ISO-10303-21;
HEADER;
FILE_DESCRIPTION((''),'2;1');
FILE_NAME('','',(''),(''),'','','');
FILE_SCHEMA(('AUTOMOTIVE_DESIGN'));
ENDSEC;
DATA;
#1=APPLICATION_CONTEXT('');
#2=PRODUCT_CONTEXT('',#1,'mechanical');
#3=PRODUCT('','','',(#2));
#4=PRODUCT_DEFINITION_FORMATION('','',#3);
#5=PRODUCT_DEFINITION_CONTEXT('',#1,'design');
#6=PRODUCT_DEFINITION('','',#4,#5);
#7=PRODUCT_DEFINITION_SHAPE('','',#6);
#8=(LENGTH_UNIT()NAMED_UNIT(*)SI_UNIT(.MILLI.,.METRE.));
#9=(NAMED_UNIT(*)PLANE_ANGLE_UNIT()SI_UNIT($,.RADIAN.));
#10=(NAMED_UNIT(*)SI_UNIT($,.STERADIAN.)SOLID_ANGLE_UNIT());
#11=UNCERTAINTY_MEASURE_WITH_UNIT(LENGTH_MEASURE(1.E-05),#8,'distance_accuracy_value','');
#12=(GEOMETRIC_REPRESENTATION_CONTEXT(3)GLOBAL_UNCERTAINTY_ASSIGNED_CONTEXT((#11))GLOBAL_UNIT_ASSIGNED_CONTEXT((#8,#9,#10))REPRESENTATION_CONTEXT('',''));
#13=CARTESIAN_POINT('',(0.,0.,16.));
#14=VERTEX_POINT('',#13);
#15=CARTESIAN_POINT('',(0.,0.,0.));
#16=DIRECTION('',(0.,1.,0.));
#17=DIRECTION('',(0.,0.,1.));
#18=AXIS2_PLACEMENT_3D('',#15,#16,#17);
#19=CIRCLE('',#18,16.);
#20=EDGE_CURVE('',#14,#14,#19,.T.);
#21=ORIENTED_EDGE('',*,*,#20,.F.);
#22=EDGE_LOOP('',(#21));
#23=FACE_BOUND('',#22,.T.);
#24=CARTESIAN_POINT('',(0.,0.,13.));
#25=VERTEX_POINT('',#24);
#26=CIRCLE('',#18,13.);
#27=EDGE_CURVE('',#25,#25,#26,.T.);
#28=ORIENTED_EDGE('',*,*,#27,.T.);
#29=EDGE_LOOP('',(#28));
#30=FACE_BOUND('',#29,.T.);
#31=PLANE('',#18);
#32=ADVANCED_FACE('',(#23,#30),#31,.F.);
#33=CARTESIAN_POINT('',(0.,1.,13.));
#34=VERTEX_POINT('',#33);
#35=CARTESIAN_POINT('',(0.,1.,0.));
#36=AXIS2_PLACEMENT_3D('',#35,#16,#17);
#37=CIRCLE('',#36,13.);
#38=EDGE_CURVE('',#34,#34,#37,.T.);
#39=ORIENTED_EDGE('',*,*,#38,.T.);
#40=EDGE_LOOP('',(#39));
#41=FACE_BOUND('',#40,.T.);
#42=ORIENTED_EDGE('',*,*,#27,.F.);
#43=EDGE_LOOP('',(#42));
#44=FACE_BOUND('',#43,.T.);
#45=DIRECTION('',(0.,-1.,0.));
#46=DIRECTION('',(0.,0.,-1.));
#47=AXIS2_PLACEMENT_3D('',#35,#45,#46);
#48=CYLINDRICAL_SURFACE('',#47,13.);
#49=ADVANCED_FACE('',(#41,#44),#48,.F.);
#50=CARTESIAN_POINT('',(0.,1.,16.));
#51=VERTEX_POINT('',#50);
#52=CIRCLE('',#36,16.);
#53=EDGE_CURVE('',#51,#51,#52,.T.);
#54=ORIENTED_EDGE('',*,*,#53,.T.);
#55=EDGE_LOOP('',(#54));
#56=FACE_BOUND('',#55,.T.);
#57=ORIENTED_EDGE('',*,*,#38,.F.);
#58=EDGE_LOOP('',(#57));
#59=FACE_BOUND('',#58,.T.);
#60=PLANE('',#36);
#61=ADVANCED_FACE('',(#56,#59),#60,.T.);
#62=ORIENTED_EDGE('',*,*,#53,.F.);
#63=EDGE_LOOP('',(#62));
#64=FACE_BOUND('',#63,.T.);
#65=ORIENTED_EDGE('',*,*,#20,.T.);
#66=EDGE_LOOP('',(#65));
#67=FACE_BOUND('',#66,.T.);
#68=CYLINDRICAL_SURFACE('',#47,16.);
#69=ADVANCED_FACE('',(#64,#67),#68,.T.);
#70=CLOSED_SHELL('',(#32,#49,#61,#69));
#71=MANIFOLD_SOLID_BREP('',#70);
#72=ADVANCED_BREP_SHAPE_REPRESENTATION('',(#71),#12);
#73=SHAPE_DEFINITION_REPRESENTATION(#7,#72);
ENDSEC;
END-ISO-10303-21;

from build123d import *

# Parameters (mm, degrees)
SKETCH_1_R      = 16
SKETCH_1_R_2    = 13
EXTRUDE_1_DEPTH = 1


with BuildPart() as part:
    # Эскиз1 → Бобышка-Вытянуть1 (new body)
    with BuildSketch(Plane(origin=(0, 0, 0), x_dir=(1, 0, 0), z_dir=(0, 1, 0))):
        with Locations(Location((0, 0, 0), (0, 0, 270))):
            Circle(SKETCH_1_R)
        with Locations(Location((0, 0, 0), (0, 0, 270))):
            Circle(SKETCH_1_R_2, mode=Mode.SUBTRACT)
    extrude(amount=EXTRUDE_1_DEPTH)


solid = part.part
